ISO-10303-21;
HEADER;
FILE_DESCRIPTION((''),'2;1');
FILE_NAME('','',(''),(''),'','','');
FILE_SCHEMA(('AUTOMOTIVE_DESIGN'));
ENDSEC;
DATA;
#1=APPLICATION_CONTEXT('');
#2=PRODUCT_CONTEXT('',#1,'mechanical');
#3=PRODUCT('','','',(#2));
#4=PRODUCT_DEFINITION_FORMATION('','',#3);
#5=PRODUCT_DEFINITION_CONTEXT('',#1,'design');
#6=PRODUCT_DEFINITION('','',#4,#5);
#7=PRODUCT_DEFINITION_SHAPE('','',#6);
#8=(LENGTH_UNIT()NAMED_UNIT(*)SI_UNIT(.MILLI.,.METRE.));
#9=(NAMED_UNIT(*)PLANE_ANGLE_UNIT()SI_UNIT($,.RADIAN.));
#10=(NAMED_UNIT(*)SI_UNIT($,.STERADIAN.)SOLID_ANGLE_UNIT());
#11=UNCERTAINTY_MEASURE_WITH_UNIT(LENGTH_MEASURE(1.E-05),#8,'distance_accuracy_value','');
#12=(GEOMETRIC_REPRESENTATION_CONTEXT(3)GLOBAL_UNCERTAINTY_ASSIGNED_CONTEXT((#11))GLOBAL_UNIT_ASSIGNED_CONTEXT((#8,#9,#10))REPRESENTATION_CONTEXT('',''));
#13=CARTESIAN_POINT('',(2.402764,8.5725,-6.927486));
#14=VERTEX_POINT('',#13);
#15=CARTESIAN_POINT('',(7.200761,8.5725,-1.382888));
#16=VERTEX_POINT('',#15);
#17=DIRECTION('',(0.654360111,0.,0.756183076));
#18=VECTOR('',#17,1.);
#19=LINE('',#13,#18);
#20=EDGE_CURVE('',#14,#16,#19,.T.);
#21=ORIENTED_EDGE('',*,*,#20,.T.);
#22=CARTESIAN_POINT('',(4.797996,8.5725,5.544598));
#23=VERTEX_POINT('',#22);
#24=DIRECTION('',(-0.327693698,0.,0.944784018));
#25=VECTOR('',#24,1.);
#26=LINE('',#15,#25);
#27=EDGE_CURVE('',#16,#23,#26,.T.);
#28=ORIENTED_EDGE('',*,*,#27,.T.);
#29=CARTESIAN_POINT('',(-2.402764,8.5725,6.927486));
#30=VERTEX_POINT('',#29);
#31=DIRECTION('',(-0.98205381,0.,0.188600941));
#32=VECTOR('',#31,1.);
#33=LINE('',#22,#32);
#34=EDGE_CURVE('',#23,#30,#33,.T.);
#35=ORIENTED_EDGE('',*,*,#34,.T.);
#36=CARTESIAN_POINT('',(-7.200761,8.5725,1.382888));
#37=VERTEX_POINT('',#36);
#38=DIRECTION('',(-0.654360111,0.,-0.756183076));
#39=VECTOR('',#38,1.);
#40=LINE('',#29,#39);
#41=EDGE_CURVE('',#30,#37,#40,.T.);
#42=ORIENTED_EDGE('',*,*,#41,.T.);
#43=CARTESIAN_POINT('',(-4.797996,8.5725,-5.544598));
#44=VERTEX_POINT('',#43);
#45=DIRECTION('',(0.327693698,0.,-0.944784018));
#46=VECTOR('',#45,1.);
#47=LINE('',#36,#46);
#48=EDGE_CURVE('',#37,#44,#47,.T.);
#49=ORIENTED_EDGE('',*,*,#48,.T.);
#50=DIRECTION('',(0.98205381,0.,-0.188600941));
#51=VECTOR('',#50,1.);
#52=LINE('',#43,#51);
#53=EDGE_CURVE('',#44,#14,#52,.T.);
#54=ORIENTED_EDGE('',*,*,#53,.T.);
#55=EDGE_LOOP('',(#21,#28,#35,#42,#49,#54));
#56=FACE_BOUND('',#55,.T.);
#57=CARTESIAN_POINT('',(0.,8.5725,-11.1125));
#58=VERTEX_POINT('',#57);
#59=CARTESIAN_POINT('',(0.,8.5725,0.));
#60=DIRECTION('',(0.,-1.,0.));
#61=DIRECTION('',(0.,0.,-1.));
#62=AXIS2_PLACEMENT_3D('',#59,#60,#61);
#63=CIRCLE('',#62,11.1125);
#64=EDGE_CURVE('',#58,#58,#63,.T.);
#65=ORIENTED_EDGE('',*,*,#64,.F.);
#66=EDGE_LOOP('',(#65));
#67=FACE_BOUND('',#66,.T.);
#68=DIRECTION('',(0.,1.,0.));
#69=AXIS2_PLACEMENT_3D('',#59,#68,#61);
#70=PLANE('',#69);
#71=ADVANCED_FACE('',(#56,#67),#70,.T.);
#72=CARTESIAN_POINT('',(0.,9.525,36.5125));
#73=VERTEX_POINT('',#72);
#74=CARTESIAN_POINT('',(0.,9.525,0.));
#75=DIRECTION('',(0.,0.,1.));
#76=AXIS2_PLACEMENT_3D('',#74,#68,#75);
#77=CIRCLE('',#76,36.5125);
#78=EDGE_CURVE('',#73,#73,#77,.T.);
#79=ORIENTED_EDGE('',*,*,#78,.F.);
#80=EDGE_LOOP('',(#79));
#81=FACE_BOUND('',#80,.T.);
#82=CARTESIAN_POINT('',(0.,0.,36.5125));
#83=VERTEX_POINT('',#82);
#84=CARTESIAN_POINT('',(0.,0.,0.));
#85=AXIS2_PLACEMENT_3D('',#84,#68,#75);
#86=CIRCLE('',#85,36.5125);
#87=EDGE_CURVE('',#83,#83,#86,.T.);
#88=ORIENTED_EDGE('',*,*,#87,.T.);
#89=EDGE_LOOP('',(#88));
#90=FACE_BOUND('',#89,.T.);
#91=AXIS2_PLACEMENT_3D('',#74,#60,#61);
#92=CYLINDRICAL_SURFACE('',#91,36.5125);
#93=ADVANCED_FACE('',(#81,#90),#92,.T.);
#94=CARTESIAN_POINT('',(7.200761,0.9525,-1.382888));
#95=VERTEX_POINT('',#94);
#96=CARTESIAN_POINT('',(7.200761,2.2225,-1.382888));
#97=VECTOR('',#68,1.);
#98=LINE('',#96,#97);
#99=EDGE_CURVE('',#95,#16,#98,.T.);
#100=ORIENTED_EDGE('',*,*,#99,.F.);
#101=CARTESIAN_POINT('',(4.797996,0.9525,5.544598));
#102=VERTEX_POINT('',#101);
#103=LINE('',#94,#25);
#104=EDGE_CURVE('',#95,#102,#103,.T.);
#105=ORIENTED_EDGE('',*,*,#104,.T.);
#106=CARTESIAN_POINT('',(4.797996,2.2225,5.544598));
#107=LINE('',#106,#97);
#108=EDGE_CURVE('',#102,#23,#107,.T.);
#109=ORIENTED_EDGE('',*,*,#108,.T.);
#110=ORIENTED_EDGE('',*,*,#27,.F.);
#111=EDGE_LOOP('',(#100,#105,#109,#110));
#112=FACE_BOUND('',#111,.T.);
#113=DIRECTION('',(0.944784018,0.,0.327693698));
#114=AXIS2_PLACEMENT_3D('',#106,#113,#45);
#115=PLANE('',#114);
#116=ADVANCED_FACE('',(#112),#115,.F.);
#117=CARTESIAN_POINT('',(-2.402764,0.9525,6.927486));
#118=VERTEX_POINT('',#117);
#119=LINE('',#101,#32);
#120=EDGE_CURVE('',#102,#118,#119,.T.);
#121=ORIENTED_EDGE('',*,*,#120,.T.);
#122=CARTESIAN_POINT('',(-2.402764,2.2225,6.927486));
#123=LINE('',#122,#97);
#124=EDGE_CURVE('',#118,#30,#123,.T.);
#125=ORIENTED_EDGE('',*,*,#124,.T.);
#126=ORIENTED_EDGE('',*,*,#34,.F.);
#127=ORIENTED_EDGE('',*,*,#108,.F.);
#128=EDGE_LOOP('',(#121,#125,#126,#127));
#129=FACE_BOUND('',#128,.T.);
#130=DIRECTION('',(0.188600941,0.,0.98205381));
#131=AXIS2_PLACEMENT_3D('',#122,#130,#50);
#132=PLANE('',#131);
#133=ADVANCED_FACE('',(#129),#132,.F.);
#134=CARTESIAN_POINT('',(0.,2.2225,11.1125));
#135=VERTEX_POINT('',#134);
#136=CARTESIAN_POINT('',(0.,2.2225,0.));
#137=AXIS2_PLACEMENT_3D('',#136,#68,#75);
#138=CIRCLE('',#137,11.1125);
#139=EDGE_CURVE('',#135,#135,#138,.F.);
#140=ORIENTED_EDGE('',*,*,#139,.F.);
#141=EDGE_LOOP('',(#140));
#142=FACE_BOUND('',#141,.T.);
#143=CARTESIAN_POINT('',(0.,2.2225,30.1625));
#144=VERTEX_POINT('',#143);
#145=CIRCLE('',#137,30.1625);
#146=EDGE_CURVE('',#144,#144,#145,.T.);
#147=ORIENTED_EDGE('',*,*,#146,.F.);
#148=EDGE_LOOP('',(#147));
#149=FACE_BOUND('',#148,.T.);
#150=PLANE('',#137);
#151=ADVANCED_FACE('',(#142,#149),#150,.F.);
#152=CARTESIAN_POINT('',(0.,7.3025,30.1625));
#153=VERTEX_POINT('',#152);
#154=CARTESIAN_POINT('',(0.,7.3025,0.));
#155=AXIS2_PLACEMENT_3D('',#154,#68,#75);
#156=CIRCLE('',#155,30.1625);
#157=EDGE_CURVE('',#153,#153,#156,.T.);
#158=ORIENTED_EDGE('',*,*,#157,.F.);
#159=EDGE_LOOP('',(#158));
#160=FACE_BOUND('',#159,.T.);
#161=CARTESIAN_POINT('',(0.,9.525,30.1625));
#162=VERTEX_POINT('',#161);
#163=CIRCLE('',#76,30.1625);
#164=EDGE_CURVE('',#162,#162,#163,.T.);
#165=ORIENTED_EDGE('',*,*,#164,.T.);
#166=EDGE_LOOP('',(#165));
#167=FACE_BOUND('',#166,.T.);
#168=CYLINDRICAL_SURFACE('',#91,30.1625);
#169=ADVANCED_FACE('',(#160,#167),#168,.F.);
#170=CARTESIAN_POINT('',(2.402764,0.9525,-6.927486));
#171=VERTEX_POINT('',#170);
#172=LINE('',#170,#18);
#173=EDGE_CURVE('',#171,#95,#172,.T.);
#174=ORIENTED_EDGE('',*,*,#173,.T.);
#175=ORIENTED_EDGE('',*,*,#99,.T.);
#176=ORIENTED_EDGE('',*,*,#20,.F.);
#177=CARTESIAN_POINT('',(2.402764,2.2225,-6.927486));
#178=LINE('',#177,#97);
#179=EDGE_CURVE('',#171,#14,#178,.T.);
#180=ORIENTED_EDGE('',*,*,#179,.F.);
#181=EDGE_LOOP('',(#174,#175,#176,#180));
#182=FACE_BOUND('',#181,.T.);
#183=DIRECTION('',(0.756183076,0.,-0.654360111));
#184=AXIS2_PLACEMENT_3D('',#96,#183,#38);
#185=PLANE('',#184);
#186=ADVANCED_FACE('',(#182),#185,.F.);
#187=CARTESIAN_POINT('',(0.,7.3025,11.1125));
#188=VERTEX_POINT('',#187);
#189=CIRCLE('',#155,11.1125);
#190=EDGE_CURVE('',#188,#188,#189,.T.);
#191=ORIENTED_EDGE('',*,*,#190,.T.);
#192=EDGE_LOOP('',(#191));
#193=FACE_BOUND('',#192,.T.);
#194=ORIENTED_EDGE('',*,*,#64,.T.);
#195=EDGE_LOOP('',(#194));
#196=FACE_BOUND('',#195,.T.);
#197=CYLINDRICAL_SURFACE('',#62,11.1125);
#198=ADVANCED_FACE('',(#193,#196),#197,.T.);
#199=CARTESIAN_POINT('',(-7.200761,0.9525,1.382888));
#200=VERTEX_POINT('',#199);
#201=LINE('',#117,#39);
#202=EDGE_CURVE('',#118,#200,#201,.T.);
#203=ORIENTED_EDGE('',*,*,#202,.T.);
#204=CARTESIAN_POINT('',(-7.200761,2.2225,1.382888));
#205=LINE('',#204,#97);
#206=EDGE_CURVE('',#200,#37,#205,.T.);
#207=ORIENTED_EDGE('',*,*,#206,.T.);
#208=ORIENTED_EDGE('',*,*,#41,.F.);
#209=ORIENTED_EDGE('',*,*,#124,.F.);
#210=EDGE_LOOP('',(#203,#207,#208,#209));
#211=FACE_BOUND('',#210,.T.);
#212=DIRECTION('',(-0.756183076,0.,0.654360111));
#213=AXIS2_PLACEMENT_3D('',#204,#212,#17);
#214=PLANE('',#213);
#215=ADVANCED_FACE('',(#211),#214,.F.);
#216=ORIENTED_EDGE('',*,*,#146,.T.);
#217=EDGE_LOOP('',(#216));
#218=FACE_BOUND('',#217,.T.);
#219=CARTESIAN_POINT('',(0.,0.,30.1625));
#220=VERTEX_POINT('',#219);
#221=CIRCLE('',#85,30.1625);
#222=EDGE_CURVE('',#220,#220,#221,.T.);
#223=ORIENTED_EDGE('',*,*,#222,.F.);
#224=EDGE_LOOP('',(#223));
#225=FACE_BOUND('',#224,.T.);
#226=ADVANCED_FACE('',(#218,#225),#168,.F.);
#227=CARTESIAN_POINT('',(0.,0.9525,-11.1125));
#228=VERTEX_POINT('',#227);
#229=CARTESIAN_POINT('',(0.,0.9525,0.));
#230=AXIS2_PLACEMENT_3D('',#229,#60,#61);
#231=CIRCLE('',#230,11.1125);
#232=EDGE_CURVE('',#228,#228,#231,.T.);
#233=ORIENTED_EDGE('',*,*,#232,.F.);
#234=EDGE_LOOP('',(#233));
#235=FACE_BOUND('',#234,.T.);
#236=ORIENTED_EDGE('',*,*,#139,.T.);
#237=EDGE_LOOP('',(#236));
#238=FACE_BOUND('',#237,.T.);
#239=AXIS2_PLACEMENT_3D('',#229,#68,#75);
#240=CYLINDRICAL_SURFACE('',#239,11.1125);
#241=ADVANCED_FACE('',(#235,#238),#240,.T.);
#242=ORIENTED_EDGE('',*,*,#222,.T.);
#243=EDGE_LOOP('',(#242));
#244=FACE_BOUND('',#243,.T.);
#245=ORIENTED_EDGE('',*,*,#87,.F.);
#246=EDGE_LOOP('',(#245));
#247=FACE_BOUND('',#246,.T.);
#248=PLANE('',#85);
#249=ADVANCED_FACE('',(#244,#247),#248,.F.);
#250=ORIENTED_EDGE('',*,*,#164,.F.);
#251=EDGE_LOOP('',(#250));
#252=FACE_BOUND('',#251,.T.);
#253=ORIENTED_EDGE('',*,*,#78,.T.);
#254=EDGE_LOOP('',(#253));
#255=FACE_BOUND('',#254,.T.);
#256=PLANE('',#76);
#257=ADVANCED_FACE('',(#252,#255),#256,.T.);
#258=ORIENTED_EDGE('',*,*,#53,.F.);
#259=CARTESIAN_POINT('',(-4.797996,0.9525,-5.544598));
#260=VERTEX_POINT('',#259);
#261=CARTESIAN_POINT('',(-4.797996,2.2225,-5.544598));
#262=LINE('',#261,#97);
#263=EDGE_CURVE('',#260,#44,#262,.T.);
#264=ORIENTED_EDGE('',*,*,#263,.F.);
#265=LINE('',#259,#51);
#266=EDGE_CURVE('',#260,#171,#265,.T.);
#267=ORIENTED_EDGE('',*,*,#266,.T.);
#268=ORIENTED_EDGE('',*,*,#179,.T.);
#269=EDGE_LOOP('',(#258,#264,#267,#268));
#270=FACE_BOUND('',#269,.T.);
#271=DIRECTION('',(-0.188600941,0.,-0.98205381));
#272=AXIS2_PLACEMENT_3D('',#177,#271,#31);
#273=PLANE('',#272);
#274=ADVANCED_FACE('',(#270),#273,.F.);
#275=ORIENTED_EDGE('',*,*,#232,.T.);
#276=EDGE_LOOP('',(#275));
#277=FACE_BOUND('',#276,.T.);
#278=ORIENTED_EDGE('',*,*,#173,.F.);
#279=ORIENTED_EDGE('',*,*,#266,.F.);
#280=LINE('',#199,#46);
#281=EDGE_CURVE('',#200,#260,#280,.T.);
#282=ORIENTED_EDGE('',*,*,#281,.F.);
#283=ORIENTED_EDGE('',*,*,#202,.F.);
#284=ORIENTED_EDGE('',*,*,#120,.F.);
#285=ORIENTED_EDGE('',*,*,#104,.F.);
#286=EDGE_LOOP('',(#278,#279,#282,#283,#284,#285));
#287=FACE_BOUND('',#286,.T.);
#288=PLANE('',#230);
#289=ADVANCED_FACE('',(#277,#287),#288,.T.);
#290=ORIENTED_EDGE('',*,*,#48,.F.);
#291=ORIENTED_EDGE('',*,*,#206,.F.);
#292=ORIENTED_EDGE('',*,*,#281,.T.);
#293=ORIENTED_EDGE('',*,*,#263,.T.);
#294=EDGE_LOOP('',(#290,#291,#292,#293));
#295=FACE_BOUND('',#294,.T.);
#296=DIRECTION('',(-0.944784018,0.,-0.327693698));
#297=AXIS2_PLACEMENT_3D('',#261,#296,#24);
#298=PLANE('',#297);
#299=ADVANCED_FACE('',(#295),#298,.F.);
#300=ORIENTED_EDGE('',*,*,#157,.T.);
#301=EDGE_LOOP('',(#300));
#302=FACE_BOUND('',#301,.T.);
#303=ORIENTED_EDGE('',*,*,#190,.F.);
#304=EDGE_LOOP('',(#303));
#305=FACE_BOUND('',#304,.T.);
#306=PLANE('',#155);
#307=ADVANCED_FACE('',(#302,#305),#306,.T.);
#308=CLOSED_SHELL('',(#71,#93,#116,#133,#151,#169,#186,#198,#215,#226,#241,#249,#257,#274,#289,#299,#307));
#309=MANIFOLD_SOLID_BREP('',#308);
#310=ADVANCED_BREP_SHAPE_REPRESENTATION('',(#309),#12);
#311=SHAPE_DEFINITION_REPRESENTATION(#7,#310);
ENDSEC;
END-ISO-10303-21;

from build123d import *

# Parameters (mm, degrees)
SKETCH1_R            = 36.5125
SKETCH1_R_2          = 30.1625
RIM_DEPTH            = 9.525
INNER_HUB_DEPTH      = 2.54
INNER_HUB_DEPTH_BACK = 2.54
SKETCH2_R            = 30.1625
SKETCH3_R            = 11.1125
HEX_STEP_DEPTH       = 1.27


with BuildPart() as part:
    # Sketch1 → Rim (new body)
    with BuildSketch(Plane(origin=(0, 0, 0), x_dir=(1, 0, 0), z_dir=(0, 1, 0))):
        Circle(SKETCH1_R)
        Circle(SKETCH1_R_2, mode=Mode.SUBTRACT)
    extrude(amount=RIM_DEPTH)

    # Sketch2 → Inner_Hub (add, two sides: drawn at the far end of the back side and taken through both)
    with BuildSketch(Plane(origin=(0, 4.7625, 0), x_dir=(1, 0, 0), z_dir=(0, 1, 0)).offset(-INNER_HUB_DEPTH_BACK)):
        Circle(SKETCH2_R)
        Polygon((7.200760698, 1.382887815), (2.402764371, 6.927485598), (-4.797996327, 5.544597783), (-7.200760698, -1.382887815), (-2.402764371, -6.927485598), (4.797996327, -5.544597783), align=None, mode=Mode.SUBTRACT)
    extrude(amount=INNER_HUB_DEPTH + INNER_HUB_DEPTH_BACK)

    # Sketch3 → Hex_Step (add)
    with BuildSketch(Plane.XZ.offset(-2.2225)):
        Circle(SKETCH3_R)
        Polygon((4.797996327, 5.544597783), (-2.402764371, 6.927485598), (-7.200760698, 1.382887815), (-4.797996327, -5.544597783), (2.402764371, -6.927485598), (7.200760698, -1.382887815), align=None, mode=Mode.SUBTRACT)
    hex_step = extrude(amount=HEX_STEP_DEPTH)

    # Mirror1: Hex_Step across plane
    add(hex_step.mirror(Plane.ZX.offset(4.7625)))


solid = part.part
